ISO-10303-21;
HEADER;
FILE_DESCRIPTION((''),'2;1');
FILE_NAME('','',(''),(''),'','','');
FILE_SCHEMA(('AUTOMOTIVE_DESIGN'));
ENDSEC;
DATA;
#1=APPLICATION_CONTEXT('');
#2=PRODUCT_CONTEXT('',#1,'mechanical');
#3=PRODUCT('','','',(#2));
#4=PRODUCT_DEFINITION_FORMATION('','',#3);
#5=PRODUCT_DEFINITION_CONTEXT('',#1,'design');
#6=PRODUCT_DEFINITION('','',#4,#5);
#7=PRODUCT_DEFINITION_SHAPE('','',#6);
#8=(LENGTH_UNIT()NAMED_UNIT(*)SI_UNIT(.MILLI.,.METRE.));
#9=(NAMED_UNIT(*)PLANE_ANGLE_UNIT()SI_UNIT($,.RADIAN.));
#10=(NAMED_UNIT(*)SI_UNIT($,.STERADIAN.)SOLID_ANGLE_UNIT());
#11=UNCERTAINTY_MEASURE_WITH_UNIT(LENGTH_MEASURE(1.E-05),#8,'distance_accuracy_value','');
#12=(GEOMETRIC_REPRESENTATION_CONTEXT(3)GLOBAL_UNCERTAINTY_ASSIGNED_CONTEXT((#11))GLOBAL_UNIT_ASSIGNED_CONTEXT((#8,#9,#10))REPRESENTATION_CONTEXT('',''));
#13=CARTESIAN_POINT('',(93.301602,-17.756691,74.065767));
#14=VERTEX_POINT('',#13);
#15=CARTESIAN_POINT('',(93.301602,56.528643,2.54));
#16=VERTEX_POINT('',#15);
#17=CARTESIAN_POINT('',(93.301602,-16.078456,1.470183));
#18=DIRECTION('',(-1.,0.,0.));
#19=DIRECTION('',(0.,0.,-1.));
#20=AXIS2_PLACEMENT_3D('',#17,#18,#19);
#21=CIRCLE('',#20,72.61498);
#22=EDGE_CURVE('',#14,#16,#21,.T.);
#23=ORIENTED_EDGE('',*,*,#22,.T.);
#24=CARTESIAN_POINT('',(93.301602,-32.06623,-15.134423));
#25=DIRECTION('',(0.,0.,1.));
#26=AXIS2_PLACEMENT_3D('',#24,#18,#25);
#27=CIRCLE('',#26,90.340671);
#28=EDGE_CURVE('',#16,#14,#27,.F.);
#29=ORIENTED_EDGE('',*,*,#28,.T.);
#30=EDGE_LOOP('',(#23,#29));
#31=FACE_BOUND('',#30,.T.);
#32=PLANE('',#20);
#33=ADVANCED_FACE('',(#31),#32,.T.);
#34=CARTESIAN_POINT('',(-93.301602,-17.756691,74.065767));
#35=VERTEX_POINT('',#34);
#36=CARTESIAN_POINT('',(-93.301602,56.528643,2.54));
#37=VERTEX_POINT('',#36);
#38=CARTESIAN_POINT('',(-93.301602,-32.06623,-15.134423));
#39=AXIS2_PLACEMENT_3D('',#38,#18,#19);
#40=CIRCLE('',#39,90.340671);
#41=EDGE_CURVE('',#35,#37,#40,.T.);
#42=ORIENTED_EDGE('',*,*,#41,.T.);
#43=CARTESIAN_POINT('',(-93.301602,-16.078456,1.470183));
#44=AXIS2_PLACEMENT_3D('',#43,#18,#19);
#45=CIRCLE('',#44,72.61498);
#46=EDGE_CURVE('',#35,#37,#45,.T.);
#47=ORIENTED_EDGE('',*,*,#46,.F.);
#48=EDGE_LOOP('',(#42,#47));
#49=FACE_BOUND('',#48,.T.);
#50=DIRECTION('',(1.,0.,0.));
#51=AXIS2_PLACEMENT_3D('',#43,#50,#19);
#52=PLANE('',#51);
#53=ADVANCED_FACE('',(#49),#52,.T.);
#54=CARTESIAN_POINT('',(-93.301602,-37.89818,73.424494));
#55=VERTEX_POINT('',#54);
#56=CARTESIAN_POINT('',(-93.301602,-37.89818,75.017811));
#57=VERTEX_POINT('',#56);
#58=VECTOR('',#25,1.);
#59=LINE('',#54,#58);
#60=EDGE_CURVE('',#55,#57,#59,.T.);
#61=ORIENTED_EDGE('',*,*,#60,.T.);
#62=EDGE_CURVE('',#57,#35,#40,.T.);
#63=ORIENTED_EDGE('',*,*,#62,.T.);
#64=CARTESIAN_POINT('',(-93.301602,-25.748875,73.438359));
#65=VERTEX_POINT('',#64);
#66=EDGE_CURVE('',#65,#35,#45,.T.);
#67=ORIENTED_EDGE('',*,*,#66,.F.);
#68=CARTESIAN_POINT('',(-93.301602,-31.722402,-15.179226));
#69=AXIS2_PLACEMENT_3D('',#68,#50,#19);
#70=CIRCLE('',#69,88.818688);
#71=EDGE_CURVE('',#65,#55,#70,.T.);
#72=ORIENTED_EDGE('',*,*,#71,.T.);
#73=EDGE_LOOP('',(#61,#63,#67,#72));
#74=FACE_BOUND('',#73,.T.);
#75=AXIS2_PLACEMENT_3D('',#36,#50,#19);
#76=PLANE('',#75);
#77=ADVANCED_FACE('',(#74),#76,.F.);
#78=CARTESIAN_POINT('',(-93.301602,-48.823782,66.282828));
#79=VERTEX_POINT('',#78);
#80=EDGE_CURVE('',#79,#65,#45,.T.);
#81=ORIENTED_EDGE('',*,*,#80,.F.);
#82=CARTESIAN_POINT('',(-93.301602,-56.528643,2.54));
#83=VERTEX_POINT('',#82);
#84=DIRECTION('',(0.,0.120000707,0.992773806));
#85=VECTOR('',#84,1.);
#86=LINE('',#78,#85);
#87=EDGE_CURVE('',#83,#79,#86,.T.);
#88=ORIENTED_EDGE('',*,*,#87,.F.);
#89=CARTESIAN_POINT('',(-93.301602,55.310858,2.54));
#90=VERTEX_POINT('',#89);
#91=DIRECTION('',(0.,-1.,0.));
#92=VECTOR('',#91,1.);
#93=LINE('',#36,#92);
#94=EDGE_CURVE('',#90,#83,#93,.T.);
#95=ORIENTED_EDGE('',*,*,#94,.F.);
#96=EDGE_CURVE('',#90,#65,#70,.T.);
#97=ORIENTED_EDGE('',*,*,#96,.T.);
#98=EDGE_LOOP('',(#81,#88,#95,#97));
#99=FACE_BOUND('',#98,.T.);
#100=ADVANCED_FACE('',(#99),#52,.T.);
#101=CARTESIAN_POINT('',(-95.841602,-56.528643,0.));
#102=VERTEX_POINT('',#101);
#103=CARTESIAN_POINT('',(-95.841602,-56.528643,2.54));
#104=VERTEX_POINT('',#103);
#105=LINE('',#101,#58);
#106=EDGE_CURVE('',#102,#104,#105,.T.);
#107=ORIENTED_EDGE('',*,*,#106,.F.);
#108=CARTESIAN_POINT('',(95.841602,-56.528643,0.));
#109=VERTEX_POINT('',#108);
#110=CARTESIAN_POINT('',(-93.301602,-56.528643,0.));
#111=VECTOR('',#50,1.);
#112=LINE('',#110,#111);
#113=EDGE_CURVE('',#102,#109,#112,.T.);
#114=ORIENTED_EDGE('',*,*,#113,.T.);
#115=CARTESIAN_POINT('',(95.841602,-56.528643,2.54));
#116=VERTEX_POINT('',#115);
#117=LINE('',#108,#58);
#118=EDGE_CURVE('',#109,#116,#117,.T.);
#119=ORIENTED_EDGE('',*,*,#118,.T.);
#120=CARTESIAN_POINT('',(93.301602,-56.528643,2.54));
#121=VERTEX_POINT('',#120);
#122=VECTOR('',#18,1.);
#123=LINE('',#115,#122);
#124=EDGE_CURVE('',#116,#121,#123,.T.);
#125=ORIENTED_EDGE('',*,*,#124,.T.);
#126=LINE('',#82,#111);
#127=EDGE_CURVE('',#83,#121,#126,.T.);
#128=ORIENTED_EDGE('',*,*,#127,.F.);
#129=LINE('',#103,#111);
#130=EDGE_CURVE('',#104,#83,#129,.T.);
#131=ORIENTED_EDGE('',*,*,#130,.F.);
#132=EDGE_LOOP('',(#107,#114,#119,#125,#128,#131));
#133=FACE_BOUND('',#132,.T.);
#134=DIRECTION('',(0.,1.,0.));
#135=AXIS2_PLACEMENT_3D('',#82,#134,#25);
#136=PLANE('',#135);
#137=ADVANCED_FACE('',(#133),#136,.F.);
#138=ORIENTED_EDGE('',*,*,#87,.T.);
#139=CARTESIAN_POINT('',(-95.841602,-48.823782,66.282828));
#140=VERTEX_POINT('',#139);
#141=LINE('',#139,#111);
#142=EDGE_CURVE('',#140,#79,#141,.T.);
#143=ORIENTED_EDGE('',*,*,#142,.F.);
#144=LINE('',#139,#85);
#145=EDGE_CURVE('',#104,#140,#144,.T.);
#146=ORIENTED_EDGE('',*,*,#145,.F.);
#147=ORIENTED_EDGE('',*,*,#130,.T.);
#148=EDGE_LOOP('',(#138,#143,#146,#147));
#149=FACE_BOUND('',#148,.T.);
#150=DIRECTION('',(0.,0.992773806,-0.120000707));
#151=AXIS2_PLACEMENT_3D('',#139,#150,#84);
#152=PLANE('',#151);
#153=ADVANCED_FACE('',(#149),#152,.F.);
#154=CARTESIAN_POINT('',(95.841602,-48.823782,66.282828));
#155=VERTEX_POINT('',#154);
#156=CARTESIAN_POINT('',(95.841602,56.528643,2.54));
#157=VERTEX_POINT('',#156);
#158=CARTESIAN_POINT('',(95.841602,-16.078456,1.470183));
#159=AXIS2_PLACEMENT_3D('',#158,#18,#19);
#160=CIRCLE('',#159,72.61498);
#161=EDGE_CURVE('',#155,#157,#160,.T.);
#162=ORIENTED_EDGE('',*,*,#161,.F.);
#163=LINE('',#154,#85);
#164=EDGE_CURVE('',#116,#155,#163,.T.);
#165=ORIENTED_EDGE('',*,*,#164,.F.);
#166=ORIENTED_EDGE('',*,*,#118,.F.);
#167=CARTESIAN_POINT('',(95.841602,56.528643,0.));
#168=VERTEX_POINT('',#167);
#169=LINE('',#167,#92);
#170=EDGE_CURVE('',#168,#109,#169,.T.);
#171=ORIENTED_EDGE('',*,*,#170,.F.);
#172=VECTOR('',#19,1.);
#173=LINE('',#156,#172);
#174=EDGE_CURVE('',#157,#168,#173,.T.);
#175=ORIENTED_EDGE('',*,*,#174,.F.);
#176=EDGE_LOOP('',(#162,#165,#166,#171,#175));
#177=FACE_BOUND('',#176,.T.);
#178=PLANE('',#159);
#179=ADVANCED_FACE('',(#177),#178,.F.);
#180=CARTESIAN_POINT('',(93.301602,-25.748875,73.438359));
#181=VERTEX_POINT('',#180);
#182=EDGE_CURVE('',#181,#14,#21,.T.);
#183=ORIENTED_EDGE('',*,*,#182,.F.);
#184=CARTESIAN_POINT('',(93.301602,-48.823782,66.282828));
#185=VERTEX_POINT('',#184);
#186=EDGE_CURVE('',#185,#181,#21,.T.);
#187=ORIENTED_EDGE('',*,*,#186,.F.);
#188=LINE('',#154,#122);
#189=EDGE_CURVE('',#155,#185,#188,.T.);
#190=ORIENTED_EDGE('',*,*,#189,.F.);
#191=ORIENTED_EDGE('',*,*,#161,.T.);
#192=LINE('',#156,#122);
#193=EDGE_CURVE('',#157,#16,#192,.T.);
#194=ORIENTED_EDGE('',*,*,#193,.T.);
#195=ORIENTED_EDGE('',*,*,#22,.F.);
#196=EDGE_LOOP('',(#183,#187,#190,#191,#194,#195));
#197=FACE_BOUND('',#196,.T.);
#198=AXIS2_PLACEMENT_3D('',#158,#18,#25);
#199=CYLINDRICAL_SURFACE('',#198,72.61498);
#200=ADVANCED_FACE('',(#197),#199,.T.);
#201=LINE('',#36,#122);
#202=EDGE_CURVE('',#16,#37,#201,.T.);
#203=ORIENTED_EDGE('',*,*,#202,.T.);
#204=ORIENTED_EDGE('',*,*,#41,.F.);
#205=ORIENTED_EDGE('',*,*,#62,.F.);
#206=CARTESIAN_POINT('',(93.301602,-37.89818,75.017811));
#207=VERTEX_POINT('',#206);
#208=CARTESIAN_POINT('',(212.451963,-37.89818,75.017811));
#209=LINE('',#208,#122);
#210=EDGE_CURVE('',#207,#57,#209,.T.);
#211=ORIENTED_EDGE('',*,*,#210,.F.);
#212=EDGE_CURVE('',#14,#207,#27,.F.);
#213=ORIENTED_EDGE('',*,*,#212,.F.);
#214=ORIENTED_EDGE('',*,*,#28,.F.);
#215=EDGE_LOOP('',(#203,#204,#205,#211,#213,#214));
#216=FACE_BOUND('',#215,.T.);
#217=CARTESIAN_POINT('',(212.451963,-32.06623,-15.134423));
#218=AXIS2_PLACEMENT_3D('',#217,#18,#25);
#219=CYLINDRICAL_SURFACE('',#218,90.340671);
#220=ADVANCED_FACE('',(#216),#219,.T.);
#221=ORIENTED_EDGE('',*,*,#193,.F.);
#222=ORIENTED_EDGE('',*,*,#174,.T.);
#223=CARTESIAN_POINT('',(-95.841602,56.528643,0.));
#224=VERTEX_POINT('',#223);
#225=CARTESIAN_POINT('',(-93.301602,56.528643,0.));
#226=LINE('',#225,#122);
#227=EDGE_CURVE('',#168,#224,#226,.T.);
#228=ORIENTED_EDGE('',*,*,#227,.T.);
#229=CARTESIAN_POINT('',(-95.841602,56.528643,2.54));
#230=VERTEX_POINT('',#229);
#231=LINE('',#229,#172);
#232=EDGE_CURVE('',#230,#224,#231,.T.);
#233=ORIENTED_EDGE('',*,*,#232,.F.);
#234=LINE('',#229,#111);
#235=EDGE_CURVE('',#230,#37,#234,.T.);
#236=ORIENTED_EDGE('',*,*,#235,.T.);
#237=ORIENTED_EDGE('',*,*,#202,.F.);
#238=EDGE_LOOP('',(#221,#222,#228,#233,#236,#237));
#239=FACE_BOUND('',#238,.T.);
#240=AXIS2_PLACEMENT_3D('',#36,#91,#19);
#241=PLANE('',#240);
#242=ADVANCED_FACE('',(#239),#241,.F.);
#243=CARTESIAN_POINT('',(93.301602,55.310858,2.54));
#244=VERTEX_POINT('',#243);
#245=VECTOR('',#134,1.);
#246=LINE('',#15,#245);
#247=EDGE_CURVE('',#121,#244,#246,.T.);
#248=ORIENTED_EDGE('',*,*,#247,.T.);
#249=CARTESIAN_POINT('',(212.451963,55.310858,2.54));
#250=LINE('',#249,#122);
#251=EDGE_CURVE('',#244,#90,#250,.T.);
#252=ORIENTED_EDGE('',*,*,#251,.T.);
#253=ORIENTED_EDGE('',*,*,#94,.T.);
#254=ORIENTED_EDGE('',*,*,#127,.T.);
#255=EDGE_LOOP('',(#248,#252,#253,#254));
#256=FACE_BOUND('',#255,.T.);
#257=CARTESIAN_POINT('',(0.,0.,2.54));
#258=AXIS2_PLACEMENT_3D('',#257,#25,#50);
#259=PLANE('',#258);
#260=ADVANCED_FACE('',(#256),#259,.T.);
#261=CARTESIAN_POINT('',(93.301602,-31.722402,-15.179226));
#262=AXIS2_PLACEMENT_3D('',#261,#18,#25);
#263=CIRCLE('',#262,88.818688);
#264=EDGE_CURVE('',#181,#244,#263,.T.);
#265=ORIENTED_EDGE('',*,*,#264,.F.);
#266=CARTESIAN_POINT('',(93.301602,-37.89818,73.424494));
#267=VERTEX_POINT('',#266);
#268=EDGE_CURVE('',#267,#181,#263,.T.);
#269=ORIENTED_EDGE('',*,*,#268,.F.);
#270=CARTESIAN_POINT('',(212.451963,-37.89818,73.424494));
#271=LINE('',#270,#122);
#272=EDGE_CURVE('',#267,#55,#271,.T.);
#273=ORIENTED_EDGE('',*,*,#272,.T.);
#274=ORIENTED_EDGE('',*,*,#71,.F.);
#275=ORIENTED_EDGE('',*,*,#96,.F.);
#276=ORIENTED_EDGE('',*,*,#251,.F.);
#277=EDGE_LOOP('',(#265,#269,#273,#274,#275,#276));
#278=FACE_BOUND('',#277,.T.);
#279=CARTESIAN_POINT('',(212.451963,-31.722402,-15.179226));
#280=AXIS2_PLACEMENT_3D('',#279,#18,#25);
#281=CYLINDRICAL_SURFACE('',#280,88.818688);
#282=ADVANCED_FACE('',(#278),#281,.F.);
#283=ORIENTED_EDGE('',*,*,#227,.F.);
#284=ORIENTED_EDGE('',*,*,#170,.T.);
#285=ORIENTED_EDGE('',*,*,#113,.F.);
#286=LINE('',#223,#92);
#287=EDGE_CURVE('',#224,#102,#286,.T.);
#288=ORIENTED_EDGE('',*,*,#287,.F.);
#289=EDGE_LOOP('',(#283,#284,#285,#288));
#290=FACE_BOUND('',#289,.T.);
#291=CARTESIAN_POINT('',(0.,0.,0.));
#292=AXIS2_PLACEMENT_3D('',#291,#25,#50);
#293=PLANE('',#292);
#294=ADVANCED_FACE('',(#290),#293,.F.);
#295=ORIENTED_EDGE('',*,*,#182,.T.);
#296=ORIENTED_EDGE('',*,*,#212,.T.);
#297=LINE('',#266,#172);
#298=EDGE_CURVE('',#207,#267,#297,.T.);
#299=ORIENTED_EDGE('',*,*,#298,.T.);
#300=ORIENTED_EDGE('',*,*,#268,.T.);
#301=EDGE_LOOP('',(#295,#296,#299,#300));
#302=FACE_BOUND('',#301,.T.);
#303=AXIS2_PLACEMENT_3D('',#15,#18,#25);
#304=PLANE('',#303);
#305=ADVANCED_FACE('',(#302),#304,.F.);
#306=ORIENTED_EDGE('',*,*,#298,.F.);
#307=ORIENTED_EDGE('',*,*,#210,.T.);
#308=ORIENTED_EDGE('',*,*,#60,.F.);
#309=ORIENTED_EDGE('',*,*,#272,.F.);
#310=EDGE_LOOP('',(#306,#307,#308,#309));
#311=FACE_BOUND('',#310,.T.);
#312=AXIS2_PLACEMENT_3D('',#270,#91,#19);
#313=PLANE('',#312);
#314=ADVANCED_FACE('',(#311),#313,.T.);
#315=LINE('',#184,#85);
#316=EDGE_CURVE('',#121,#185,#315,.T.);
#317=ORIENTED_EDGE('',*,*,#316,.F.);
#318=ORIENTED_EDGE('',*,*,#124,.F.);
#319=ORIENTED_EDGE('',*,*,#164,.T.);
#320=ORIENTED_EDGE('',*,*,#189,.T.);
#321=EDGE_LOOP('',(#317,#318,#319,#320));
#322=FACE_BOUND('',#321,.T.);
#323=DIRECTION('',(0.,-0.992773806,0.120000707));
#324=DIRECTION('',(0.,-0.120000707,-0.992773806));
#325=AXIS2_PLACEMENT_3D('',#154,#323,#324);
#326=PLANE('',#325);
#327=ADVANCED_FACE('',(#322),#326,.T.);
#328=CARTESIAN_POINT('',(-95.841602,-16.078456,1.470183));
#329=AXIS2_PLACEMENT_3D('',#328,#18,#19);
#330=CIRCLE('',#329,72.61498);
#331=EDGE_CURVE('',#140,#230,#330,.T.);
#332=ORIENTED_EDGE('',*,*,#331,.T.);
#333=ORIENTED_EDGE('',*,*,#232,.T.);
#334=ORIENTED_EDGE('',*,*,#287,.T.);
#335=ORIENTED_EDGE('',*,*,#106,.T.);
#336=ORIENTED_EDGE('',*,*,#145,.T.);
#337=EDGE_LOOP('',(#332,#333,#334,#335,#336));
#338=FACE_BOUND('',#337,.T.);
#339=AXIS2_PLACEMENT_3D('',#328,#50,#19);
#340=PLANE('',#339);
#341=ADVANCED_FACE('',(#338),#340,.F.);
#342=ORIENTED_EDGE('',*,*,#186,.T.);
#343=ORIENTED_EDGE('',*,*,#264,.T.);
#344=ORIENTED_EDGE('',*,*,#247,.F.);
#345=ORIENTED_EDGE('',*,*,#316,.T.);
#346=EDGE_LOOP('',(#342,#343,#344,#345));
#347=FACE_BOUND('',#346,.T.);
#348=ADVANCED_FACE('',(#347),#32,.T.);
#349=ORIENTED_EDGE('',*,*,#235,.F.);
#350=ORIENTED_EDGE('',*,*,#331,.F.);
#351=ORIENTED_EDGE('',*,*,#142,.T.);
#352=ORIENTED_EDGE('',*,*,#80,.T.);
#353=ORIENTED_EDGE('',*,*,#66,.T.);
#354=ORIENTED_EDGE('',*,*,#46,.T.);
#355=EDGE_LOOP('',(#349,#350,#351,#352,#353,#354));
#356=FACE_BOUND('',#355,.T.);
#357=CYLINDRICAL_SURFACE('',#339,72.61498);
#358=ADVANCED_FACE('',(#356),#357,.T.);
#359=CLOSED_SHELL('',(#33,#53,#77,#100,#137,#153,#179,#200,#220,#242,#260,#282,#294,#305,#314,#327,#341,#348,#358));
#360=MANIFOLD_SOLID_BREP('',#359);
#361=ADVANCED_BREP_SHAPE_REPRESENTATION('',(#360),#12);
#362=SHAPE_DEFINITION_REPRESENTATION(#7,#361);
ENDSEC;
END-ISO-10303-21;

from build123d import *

# Parameters (mm, degrees)
SKETCH1_W           = 186.603203036
SKETCH1_H           = 113.057286536
BOSS_EXTRUDE1_DEPTH = 2.54
BOSS_EXTRUDE2_DEPTH = 186.603203
BOSS_EXTRUDE3_DEPTH = 2.54


with BuildPart() as part:
    # Sketch1 → Boss-Extrude1 (new body)
    with BuildSketch(Plane.XY):
        Rectangle(SKETCH1_W, SKETCH1_H)
    extrude(amount=BOSS_EXTRUDE1_DEPTH)

    # Sketch2 → Boss-Extrude2 (add)
    with BuildSketch(Plane.ZY.offset(93.301601518)):
        with BuildLine():
            Line((2.54, 56.528643268), (2.54, 55.310857912))
            ThreePointArc((2.54, 55.310857912), (55.518181309, 22.042232547), (73.424493654, -37.898180421))
            Line((73.424493654, -37.898180421), (75.017810549, -37.898180421))
            ThreePointArc((75.017810549, -37.898180421), (56.529746856, 22.939984252), (2.54, 56.528643268))
        make_face()
    extrude(amount=-BOSS_EXTRUDE2_DEPTH)

    # Sketch3 → Boss-Extrude3 (add)
    with BuildSketch(Plane.ZY.offset(93.301601518)):
        with BuildLine():
            Line((2.54, 56.528643268), (0, 56.528643268))
            Line((0, 56.528643268), (0, -56.528643268))
            Line((0, -56.528643268), (2.54, -56.528643268))
            Line((2.54, -56.528643268), (66.282828168, -48.823781984))
            ThreePointArc((66.282828168, -48.823781984), (63.598341423, 21.511799087), (2.54, 56.528643268))
        make_face()
    boss_extrude3 = extrude(amount=BOSS_EXTRUDE3_DEPTH)

    # Mirror1: Boss-Extrude3 across plane
    add(boss_extrude3.mirror(Plane(origin=(0, 0, 0), x_dir=(0, 0, 1), z_dir=(1, 0, 0))))


solid = part.part
